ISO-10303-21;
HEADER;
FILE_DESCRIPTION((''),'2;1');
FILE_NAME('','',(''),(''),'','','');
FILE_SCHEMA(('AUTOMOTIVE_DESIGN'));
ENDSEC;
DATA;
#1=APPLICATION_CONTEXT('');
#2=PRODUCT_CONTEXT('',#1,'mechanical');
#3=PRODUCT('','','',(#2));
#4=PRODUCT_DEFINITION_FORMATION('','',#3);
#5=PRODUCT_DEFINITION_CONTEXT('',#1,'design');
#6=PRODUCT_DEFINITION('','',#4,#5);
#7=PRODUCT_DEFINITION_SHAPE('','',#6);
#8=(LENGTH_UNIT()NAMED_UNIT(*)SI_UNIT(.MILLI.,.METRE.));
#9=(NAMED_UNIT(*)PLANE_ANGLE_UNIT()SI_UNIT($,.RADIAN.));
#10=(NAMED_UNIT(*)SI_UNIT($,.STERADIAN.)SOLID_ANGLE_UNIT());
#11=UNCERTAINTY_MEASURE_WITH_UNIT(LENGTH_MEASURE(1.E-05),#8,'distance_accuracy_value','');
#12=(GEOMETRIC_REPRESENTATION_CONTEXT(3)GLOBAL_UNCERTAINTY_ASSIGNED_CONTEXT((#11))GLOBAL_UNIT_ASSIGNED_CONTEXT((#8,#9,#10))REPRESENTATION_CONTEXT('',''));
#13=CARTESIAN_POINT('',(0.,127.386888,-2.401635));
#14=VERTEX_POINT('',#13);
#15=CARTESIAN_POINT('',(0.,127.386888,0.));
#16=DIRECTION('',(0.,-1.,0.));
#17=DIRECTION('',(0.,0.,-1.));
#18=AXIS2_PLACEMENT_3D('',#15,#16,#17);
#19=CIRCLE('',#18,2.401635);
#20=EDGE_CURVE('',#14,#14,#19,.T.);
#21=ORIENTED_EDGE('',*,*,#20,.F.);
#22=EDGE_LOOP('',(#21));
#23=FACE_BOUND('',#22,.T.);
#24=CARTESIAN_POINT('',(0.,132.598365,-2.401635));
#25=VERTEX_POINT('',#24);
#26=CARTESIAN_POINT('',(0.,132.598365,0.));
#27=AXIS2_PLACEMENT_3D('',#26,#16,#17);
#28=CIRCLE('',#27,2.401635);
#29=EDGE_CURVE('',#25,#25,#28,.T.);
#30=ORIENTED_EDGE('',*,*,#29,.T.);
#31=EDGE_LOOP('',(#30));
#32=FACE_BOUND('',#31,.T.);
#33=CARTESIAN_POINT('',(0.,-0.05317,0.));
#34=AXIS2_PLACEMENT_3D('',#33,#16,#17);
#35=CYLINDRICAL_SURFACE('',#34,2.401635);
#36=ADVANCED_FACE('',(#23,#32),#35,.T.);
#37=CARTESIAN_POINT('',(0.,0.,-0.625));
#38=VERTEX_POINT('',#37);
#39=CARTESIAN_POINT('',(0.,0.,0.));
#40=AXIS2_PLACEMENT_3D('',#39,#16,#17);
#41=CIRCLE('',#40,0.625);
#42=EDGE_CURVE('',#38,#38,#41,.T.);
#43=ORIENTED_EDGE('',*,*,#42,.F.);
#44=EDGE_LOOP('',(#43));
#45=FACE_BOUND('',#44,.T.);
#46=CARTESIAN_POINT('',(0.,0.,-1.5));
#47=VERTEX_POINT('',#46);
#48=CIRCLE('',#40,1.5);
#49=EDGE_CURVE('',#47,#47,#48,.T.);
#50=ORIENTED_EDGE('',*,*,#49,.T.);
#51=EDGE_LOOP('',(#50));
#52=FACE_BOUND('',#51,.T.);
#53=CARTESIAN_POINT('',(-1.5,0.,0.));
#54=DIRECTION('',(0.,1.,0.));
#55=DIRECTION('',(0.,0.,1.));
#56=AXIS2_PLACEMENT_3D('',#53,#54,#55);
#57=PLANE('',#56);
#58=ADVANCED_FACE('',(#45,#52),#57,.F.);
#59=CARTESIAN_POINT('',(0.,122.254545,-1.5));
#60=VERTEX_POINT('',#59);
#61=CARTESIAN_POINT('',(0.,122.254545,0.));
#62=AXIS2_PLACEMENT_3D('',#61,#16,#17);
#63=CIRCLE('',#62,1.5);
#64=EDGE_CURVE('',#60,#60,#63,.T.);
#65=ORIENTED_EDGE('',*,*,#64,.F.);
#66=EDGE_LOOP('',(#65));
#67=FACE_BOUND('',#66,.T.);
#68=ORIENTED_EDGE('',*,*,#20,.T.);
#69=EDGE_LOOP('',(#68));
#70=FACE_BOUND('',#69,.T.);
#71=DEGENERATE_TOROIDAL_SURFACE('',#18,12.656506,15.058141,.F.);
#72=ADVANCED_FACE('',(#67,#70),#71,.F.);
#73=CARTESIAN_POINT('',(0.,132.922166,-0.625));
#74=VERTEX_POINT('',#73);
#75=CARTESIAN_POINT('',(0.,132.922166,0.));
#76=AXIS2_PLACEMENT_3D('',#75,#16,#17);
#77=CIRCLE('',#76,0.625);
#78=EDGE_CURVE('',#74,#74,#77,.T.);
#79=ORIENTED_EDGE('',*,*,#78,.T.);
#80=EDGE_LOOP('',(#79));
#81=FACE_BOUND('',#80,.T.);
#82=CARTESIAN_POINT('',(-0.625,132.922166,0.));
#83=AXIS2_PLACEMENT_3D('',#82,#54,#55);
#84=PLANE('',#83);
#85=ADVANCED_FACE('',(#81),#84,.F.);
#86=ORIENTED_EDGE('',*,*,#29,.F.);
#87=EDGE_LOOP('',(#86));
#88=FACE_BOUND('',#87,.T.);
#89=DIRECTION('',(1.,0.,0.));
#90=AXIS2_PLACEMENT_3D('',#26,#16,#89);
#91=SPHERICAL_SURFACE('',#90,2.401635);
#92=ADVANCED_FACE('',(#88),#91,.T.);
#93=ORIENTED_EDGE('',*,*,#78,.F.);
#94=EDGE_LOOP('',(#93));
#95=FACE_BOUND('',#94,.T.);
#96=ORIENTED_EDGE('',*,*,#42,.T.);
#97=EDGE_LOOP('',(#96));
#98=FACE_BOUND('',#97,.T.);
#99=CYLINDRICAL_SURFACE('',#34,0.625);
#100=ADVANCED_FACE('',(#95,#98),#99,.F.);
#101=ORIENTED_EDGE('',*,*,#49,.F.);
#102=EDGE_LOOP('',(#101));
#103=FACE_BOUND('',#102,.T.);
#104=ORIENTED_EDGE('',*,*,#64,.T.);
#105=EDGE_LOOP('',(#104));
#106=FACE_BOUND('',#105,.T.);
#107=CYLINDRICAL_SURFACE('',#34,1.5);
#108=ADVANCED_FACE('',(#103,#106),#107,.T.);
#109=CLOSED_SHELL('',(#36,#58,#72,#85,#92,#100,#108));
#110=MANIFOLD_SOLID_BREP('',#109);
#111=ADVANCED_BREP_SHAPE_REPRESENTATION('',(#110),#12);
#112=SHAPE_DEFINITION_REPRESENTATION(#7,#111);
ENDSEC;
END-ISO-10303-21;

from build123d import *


with BuildPart() as part:
    # Esquisse1 → Révolution3 (revolve)
    with BuildSketch(Plane.XY, mode=Mode.PRIVATE) as r_volution3_sk:
        with BuildLine():
            Line((-0.625, 0), (-0.625, 132.922166212))
            Line((-0.625, 132.922166212), (0, 132.922166212))
            Line((0, 132.922166212), (0, 135))
            ThreePointArc((0, 135), (-1.698212195, 134.296577477), (-2.401634718, 132.598365282))
            Line((-2.401634718, 132.598365282), (-2.401634718, 127.386887788))
            ThreePointArc((-2.401634718, 127.386887788), (-2.174513205, 124.78141827), (-1.5, 122.254545197))
            Line((-1.5, 122.254545197), (-1.5, 0))
            Line((-1.5, 0), (-0.625, 0))
        make_face()
    revolve(r_volution3_sk.sketch.rotate(Axis((0, -0.0531705, 0), (0, 1, 0)), 270), axis=Axis((0, -0.0531705, 0), (0, 1, 0)))


solid = part.part
